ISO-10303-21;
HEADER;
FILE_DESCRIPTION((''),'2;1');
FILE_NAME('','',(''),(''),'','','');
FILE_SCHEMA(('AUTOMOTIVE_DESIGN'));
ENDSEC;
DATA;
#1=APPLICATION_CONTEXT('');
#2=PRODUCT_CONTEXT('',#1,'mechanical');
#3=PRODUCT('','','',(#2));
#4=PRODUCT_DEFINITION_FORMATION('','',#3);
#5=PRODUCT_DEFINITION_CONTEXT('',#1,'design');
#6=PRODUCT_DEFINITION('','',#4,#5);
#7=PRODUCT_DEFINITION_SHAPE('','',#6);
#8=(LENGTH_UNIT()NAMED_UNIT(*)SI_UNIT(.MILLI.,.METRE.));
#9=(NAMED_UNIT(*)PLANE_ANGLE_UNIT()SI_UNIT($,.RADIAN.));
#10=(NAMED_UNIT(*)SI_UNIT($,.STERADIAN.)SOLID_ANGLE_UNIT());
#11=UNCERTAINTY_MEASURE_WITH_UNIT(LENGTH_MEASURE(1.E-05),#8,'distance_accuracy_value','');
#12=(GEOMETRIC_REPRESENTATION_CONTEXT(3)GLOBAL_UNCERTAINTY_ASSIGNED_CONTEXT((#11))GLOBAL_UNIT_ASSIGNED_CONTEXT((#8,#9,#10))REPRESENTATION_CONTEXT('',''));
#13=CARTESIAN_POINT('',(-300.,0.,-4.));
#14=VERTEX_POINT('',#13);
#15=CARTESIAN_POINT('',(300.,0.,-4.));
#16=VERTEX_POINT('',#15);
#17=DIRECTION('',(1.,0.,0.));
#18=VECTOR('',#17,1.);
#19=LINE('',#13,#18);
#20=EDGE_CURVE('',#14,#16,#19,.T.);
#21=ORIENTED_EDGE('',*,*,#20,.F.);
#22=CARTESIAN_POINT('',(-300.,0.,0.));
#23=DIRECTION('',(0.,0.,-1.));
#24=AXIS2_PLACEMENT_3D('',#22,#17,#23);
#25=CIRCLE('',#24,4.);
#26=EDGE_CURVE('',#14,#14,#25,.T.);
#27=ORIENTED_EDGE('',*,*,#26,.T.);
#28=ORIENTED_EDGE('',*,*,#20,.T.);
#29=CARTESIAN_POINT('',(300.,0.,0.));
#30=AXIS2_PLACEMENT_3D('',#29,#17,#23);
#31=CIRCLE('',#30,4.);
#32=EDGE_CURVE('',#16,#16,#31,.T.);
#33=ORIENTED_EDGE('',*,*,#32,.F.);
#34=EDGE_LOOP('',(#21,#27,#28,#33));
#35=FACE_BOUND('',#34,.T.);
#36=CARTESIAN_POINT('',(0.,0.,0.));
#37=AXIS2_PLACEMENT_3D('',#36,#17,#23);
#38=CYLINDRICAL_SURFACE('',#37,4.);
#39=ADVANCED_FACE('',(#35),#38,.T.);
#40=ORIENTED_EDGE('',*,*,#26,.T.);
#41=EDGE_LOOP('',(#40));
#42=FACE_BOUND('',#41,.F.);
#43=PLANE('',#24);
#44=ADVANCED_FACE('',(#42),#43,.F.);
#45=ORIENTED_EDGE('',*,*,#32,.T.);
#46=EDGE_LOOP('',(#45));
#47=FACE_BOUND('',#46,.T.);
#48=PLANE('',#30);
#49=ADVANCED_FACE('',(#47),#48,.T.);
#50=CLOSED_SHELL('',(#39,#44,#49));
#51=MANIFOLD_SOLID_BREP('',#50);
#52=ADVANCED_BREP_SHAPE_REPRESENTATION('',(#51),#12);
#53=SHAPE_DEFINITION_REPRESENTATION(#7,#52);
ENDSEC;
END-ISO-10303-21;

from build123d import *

# Parameters (mm, degrees)
BOSS_EXTRUDE1_DEPTH      = 300
BOSS_EXTRUDE1_DEPTH_BACK = 300
SKETCH1_R                = 4


with BuildPart() as part:
    # Sketch1 → Boss-Extrude1 (new, two sides: drawn at the far end of the back side and taken through both)
    with BuildSketch(Plane(origin=(0, 0, 0), x_dir=(0, 0, -1), z_dir=(1, 0, 0)).offset(-BOSS_EXTRUDE1_DEPTH_BACK)):
        Circle(SKETCH1_R)
    extrude(amount=BOSS_EXTRUDE1_DEPTH + BOSS_EXTRUDE1_DEPTH_BACK)


solid = part.part
